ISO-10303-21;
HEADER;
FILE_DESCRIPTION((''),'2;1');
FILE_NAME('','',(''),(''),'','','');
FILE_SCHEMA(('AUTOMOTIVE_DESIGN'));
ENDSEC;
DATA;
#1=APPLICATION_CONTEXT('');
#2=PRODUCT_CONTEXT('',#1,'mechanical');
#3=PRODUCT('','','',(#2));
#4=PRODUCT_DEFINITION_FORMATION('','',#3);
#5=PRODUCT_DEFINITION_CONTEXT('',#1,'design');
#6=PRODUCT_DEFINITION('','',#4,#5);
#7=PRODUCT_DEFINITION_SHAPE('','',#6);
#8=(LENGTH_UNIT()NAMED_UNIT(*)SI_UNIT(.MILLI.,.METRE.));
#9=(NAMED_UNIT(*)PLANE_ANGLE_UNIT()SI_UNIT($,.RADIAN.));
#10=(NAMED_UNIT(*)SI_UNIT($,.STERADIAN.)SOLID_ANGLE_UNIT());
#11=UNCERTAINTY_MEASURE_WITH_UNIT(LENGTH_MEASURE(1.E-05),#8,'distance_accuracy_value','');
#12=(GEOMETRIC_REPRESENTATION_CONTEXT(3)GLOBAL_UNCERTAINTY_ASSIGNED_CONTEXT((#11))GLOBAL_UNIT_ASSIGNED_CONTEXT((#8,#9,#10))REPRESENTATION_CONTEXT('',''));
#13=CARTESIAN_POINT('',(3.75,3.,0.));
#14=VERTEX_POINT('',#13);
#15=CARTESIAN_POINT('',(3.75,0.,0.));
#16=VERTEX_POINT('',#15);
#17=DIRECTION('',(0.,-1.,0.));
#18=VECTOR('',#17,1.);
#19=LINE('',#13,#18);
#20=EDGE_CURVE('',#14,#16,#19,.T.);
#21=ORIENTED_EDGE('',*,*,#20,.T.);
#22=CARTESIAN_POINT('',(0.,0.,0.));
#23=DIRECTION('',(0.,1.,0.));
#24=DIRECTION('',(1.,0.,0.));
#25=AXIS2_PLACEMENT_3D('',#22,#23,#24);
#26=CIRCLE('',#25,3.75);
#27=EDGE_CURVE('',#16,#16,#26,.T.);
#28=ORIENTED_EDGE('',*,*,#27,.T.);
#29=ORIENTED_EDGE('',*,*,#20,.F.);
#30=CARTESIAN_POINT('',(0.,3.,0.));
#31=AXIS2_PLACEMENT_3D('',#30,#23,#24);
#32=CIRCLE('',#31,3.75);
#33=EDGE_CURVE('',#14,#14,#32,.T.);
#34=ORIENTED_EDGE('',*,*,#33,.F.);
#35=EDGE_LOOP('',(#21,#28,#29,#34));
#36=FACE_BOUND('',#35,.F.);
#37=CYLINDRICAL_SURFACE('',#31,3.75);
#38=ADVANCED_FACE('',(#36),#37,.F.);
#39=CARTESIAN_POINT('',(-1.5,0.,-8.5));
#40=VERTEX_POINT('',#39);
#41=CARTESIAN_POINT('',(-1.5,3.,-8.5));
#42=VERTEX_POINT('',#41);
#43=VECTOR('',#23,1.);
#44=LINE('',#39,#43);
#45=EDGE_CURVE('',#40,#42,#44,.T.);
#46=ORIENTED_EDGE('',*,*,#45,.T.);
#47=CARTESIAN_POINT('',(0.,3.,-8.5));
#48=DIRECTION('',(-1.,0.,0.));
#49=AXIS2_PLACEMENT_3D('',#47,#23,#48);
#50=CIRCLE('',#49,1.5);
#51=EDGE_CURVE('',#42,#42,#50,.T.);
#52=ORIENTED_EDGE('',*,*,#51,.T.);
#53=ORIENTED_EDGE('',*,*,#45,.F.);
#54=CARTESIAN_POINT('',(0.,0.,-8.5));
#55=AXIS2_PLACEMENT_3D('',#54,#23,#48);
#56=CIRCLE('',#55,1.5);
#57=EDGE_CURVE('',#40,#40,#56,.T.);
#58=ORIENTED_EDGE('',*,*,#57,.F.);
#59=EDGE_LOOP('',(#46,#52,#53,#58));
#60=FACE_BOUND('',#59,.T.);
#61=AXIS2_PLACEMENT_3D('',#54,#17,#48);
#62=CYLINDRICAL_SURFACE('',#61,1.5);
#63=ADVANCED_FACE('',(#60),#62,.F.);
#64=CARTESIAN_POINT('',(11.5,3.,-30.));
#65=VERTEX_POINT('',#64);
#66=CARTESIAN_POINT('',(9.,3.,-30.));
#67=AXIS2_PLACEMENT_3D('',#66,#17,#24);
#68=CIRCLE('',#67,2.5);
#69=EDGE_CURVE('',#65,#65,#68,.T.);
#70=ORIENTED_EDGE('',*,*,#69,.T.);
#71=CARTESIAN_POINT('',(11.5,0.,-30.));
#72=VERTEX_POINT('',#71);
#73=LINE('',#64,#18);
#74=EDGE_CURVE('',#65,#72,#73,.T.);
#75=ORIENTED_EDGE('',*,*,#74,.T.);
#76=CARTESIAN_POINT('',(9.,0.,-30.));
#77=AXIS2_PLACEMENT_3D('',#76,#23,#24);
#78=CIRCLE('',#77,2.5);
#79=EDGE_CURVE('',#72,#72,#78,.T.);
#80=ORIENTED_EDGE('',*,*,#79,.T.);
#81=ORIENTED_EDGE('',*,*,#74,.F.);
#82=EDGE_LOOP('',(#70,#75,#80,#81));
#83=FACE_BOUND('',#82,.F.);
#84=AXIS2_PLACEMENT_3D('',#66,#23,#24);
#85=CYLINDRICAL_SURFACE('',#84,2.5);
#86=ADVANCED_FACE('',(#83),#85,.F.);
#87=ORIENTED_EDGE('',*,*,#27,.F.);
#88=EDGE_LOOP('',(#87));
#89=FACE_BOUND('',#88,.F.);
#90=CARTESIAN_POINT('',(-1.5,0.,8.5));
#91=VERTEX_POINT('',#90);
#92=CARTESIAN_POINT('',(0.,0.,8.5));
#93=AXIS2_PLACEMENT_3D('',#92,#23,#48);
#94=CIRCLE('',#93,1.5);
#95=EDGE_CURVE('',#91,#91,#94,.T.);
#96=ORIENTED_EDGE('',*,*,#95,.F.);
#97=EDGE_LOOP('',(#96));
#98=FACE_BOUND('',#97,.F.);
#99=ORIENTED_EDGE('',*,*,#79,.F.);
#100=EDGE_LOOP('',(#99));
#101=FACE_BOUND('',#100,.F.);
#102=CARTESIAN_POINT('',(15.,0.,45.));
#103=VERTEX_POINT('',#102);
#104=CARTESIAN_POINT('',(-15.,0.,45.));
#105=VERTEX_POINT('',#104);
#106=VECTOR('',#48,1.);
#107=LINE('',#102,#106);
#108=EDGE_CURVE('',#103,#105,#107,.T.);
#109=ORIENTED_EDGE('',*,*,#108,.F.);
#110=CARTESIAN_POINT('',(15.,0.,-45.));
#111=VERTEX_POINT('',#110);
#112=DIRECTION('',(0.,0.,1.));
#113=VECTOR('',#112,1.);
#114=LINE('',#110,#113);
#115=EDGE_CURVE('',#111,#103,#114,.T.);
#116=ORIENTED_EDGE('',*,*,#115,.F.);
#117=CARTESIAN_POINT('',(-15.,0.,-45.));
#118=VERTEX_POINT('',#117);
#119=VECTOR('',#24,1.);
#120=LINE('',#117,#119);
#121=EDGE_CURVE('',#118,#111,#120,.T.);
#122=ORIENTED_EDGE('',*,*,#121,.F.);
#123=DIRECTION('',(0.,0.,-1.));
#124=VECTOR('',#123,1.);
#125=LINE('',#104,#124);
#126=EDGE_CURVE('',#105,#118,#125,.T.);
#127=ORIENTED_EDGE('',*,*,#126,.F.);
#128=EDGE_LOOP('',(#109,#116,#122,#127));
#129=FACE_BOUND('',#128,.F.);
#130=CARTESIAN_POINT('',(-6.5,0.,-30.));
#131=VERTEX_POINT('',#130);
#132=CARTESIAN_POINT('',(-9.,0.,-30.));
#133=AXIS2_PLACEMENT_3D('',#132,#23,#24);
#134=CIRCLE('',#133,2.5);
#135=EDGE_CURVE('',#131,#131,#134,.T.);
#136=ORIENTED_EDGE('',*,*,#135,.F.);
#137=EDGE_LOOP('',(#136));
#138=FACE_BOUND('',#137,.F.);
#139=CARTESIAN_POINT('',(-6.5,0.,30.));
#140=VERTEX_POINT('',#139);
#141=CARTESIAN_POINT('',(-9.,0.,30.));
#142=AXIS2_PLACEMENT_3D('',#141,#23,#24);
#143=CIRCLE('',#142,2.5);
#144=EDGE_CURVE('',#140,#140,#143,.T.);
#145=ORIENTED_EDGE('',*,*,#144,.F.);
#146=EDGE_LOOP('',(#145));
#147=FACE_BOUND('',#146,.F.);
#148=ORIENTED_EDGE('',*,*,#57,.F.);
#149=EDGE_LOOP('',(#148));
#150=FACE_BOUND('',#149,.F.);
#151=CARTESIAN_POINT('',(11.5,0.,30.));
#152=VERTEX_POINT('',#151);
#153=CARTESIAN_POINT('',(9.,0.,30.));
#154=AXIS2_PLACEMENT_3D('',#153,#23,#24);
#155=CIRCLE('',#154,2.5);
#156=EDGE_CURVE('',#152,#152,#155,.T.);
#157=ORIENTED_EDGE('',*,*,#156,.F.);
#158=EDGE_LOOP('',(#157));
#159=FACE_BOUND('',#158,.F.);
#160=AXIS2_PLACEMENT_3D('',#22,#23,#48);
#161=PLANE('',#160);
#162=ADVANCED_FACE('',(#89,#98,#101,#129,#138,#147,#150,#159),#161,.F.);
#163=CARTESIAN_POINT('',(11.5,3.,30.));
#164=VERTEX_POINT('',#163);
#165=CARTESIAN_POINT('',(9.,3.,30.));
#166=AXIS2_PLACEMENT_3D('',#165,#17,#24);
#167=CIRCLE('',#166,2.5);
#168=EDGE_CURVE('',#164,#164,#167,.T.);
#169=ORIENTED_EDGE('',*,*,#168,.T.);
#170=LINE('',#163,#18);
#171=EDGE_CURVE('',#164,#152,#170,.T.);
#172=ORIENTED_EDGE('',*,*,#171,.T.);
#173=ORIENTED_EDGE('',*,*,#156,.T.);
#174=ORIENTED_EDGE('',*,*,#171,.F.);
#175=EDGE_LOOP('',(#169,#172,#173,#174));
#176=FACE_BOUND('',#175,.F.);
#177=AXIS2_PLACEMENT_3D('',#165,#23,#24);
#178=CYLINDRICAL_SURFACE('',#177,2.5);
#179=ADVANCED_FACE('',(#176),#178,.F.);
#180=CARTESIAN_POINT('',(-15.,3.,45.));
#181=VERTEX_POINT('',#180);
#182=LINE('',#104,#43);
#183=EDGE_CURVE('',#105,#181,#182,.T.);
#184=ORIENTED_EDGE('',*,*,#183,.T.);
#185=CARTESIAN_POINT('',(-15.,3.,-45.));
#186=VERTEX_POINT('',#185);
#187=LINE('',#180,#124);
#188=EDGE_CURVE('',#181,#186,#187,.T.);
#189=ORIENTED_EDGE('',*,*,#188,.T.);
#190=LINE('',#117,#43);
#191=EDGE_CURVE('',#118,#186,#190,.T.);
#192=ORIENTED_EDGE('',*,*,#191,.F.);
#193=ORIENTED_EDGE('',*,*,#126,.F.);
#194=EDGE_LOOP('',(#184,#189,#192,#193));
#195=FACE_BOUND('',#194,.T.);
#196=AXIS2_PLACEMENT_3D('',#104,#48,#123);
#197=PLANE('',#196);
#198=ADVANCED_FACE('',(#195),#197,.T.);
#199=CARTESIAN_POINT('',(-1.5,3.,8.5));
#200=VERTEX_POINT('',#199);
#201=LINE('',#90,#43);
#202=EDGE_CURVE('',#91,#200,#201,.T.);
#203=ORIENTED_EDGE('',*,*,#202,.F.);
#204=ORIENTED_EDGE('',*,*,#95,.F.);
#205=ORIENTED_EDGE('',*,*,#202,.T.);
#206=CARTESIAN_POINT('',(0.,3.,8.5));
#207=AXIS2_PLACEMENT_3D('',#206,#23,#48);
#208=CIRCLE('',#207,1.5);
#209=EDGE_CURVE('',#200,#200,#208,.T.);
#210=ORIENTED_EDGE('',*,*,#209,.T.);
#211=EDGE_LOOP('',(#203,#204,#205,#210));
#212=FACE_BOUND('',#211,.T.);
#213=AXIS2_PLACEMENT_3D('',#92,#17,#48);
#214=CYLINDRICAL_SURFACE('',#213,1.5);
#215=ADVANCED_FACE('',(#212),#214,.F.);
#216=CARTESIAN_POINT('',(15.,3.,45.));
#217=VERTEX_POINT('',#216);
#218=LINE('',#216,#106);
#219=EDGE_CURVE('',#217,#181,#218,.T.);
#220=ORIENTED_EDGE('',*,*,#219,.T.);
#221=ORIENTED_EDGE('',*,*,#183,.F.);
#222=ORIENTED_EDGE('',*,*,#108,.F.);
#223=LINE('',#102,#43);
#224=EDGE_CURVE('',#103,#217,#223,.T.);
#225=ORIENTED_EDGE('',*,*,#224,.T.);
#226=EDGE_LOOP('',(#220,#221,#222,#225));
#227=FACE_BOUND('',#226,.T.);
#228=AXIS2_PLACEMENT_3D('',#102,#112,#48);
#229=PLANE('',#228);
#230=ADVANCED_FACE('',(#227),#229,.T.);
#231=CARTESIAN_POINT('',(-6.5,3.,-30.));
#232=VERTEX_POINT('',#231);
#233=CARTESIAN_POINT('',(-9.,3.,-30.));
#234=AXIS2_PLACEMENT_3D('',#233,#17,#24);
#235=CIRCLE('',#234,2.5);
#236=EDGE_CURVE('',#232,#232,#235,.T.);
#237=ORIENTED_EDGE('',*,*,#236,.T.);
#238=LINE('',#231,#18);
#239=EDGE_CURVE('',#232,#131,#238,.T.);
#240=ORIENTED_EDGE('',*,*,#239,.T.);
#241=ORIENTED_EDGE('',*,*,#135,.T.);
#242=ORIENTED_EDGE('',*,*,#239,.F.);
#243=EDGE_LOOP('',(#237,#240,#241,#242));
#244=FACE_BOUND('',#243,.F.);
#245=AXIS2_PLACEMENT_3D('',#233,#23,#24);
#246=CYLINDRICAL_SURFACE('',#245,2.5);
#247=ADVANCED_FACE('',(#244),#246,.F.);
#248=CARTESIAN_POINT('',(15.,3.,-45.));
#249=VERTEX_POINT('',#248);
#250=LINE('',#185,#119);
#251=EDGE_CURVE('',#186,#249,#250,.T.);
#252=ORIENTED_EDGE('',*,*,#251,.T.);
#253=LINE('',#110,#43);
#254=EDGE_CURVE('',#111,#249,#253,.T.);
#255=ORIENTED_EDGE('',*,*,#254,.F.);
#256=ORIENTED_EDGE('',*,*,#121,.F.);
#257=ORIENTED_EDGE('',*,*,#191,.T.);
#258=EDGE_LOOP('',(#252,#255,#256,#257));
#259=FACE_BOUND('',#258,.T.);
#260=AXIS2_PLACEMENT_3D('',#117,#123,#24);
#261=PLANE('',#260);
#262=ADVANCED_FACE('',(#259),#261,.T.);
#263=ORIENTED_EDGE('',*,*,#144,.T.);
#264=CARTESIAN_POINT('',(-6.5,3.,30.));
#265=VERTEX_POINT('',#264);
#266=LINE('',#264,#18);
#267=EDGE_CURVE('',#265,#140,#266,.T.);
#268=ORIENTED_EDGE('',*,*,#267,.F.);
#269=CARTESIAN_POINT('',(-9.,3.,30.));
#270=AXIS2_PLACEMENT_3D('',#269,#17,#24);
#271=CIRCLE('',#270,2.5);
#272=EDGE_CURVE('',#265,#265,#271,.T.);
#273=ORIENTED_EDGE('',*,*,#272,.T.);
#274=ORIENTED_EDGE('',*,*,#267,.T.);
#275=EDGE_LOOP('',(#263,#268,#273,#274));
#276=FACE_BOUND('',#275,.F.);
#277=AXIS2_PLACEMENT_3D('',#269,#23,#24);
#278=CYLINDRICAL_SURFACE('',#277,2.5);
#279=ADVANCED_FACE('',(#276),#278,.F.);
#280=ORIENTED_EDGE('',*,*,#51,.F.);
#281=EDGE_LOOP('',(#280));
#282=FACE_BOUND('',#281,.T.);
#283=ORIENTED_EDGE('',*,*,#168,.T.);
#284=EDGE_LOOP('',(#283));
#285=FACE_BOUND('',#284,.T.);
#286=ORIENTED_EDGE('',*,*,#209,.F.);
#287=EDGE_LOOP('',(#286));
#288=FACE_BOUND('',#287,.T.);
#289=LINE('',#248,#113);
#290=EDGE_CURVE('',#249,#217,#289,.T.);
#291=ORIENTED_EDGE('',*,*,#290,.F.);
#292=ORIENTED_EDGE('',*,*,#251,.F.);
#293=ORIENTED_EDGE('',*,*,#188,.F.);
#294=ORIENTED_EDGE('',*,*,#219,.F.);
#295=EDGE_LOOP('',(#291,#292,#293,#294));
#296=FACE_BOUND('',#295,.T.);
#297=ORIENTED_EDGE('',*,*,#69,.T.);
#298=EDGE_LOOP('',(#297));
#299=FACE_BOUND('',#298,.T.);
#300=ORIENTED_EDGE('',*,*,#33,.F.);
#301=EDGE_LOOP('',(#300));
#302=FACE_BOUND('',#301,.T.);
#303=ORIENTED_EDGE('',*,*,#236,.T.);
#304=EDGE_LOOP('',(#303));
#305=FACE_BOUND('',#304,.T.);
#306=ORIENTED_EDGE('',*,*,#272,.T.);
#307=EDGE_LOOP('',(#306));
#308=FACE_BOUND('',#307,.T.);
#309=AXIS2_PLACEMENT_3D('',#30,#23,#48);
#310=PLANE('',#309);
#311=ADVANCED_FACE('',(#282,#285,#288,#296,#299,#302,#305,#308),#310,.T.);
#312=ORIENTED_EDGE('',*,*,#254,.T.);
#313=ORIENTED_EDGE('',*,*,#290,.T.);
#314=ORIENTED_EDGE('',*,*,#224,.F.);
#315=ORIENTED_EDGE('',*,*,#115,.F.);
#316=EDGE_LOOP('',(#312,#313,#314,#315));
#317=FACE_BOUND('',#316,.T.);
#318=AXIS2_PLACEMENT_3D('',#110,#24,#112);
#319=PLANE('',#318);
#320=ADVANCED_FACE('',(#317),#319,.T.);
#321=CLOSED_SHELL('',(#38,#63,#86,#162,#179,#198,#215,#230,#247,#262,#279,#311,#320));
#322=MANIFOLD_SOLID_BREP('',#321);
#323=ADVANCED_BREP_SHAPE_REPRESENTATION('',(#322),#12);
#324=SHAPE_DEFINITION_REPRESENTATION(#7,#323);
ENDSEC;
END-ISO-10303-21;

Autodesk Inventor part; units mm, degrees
ref_plane "YZ Plane" through (0, 0, 0) normal (1, 0, 0) x (0, 1, 0)
ref_plane "XZ Plane" through (0, 0, 0) normal (0, 1, 0) x (-1, 0, 0)
ref_plane "XY Plane" through (0, 0, 0) normal (0, 0, 1) x (1, 0, 0)
sketch "スケッチ1" plane through (0, 0, 0) normal (0, 1, 0) x (-1, 0, 0)
  circle A0 centre (0, 0) radius 12.5
  line L0 (-15, -45) -> (-15, 45)
  line L1 (-15, 45) -> (15, 45)
  line L2 (15, 45) -> (15, -45)
  line L3 (15, -45) -> (-15, -45)
  line L4 (-15, -45) -> (15, 45) construction
  line L5 (-15, 45) -> (15, -45) construction
  circle A1 centre (0, -8.5) radius 1.5
  circle A2 centre (0, 8.5) radius 1.5
  dimension "d0" = 25
  dimension "d1" = 90
  dimension "d2" = 30
  dimension "d10" = 3
  dimension "d11" = 3
extrude "押し出し3" add sketch "スケッチ1" along normal blind 3 contours A0 | L0 L1 L2 L3
sketch "スケッチ3" plane through (0, 3, 0) normal (0, 1, 0) x (1, 0, 0)
  circle A0 centre (0, 0) radius 3.75
  dimension "d14" = 7.5
extrude "押し出し4" cut sketch "スケッチ3" against normal blind 3
sketch "スケッチ4" plane through (0, 3, 0) normal (0, 1, 0) x (1, 0, 0)
  line L0 (0, 0) -> (0, 30)
  line L1 (0, 30) -> (0, -30)
  line L2 (0, -30) -> (-9, -30)
  line L3 (-15, 45) -> (-15, -45) projected
  circle A0 centre (-9, -30) radius 2.5
  line L4 (0, -30) -> (9, -30)
  line L5 (9, -30) -> (-9, 30)
  line L6 (-9, -30) -> (9, 30)
  circle A1 centre (9, -30) radius 2.5
  circle A2 centre (-9, 30) radius 2.5
  circle A3 centre (9, 30) radius 2.5
  dimension "d17" = 30
  dimension "d18" = 60
  dimension "d19" = 9
  dimension "d20" = 5
  dimension "d21" = 9
  dimension "d23" = 5
  dimension "d24" = 5
  dimension "d25" = 5
extrude "押し出し5" cut sketch "スケッチ4" against normal blind 3 contours A2 | A3 | A1 L4 L5 | L5 L4 A1 | L6 L2 A0 | A0 L2 L6
properties part number "板 中心Φ7" material "アルミニウム 6061"
